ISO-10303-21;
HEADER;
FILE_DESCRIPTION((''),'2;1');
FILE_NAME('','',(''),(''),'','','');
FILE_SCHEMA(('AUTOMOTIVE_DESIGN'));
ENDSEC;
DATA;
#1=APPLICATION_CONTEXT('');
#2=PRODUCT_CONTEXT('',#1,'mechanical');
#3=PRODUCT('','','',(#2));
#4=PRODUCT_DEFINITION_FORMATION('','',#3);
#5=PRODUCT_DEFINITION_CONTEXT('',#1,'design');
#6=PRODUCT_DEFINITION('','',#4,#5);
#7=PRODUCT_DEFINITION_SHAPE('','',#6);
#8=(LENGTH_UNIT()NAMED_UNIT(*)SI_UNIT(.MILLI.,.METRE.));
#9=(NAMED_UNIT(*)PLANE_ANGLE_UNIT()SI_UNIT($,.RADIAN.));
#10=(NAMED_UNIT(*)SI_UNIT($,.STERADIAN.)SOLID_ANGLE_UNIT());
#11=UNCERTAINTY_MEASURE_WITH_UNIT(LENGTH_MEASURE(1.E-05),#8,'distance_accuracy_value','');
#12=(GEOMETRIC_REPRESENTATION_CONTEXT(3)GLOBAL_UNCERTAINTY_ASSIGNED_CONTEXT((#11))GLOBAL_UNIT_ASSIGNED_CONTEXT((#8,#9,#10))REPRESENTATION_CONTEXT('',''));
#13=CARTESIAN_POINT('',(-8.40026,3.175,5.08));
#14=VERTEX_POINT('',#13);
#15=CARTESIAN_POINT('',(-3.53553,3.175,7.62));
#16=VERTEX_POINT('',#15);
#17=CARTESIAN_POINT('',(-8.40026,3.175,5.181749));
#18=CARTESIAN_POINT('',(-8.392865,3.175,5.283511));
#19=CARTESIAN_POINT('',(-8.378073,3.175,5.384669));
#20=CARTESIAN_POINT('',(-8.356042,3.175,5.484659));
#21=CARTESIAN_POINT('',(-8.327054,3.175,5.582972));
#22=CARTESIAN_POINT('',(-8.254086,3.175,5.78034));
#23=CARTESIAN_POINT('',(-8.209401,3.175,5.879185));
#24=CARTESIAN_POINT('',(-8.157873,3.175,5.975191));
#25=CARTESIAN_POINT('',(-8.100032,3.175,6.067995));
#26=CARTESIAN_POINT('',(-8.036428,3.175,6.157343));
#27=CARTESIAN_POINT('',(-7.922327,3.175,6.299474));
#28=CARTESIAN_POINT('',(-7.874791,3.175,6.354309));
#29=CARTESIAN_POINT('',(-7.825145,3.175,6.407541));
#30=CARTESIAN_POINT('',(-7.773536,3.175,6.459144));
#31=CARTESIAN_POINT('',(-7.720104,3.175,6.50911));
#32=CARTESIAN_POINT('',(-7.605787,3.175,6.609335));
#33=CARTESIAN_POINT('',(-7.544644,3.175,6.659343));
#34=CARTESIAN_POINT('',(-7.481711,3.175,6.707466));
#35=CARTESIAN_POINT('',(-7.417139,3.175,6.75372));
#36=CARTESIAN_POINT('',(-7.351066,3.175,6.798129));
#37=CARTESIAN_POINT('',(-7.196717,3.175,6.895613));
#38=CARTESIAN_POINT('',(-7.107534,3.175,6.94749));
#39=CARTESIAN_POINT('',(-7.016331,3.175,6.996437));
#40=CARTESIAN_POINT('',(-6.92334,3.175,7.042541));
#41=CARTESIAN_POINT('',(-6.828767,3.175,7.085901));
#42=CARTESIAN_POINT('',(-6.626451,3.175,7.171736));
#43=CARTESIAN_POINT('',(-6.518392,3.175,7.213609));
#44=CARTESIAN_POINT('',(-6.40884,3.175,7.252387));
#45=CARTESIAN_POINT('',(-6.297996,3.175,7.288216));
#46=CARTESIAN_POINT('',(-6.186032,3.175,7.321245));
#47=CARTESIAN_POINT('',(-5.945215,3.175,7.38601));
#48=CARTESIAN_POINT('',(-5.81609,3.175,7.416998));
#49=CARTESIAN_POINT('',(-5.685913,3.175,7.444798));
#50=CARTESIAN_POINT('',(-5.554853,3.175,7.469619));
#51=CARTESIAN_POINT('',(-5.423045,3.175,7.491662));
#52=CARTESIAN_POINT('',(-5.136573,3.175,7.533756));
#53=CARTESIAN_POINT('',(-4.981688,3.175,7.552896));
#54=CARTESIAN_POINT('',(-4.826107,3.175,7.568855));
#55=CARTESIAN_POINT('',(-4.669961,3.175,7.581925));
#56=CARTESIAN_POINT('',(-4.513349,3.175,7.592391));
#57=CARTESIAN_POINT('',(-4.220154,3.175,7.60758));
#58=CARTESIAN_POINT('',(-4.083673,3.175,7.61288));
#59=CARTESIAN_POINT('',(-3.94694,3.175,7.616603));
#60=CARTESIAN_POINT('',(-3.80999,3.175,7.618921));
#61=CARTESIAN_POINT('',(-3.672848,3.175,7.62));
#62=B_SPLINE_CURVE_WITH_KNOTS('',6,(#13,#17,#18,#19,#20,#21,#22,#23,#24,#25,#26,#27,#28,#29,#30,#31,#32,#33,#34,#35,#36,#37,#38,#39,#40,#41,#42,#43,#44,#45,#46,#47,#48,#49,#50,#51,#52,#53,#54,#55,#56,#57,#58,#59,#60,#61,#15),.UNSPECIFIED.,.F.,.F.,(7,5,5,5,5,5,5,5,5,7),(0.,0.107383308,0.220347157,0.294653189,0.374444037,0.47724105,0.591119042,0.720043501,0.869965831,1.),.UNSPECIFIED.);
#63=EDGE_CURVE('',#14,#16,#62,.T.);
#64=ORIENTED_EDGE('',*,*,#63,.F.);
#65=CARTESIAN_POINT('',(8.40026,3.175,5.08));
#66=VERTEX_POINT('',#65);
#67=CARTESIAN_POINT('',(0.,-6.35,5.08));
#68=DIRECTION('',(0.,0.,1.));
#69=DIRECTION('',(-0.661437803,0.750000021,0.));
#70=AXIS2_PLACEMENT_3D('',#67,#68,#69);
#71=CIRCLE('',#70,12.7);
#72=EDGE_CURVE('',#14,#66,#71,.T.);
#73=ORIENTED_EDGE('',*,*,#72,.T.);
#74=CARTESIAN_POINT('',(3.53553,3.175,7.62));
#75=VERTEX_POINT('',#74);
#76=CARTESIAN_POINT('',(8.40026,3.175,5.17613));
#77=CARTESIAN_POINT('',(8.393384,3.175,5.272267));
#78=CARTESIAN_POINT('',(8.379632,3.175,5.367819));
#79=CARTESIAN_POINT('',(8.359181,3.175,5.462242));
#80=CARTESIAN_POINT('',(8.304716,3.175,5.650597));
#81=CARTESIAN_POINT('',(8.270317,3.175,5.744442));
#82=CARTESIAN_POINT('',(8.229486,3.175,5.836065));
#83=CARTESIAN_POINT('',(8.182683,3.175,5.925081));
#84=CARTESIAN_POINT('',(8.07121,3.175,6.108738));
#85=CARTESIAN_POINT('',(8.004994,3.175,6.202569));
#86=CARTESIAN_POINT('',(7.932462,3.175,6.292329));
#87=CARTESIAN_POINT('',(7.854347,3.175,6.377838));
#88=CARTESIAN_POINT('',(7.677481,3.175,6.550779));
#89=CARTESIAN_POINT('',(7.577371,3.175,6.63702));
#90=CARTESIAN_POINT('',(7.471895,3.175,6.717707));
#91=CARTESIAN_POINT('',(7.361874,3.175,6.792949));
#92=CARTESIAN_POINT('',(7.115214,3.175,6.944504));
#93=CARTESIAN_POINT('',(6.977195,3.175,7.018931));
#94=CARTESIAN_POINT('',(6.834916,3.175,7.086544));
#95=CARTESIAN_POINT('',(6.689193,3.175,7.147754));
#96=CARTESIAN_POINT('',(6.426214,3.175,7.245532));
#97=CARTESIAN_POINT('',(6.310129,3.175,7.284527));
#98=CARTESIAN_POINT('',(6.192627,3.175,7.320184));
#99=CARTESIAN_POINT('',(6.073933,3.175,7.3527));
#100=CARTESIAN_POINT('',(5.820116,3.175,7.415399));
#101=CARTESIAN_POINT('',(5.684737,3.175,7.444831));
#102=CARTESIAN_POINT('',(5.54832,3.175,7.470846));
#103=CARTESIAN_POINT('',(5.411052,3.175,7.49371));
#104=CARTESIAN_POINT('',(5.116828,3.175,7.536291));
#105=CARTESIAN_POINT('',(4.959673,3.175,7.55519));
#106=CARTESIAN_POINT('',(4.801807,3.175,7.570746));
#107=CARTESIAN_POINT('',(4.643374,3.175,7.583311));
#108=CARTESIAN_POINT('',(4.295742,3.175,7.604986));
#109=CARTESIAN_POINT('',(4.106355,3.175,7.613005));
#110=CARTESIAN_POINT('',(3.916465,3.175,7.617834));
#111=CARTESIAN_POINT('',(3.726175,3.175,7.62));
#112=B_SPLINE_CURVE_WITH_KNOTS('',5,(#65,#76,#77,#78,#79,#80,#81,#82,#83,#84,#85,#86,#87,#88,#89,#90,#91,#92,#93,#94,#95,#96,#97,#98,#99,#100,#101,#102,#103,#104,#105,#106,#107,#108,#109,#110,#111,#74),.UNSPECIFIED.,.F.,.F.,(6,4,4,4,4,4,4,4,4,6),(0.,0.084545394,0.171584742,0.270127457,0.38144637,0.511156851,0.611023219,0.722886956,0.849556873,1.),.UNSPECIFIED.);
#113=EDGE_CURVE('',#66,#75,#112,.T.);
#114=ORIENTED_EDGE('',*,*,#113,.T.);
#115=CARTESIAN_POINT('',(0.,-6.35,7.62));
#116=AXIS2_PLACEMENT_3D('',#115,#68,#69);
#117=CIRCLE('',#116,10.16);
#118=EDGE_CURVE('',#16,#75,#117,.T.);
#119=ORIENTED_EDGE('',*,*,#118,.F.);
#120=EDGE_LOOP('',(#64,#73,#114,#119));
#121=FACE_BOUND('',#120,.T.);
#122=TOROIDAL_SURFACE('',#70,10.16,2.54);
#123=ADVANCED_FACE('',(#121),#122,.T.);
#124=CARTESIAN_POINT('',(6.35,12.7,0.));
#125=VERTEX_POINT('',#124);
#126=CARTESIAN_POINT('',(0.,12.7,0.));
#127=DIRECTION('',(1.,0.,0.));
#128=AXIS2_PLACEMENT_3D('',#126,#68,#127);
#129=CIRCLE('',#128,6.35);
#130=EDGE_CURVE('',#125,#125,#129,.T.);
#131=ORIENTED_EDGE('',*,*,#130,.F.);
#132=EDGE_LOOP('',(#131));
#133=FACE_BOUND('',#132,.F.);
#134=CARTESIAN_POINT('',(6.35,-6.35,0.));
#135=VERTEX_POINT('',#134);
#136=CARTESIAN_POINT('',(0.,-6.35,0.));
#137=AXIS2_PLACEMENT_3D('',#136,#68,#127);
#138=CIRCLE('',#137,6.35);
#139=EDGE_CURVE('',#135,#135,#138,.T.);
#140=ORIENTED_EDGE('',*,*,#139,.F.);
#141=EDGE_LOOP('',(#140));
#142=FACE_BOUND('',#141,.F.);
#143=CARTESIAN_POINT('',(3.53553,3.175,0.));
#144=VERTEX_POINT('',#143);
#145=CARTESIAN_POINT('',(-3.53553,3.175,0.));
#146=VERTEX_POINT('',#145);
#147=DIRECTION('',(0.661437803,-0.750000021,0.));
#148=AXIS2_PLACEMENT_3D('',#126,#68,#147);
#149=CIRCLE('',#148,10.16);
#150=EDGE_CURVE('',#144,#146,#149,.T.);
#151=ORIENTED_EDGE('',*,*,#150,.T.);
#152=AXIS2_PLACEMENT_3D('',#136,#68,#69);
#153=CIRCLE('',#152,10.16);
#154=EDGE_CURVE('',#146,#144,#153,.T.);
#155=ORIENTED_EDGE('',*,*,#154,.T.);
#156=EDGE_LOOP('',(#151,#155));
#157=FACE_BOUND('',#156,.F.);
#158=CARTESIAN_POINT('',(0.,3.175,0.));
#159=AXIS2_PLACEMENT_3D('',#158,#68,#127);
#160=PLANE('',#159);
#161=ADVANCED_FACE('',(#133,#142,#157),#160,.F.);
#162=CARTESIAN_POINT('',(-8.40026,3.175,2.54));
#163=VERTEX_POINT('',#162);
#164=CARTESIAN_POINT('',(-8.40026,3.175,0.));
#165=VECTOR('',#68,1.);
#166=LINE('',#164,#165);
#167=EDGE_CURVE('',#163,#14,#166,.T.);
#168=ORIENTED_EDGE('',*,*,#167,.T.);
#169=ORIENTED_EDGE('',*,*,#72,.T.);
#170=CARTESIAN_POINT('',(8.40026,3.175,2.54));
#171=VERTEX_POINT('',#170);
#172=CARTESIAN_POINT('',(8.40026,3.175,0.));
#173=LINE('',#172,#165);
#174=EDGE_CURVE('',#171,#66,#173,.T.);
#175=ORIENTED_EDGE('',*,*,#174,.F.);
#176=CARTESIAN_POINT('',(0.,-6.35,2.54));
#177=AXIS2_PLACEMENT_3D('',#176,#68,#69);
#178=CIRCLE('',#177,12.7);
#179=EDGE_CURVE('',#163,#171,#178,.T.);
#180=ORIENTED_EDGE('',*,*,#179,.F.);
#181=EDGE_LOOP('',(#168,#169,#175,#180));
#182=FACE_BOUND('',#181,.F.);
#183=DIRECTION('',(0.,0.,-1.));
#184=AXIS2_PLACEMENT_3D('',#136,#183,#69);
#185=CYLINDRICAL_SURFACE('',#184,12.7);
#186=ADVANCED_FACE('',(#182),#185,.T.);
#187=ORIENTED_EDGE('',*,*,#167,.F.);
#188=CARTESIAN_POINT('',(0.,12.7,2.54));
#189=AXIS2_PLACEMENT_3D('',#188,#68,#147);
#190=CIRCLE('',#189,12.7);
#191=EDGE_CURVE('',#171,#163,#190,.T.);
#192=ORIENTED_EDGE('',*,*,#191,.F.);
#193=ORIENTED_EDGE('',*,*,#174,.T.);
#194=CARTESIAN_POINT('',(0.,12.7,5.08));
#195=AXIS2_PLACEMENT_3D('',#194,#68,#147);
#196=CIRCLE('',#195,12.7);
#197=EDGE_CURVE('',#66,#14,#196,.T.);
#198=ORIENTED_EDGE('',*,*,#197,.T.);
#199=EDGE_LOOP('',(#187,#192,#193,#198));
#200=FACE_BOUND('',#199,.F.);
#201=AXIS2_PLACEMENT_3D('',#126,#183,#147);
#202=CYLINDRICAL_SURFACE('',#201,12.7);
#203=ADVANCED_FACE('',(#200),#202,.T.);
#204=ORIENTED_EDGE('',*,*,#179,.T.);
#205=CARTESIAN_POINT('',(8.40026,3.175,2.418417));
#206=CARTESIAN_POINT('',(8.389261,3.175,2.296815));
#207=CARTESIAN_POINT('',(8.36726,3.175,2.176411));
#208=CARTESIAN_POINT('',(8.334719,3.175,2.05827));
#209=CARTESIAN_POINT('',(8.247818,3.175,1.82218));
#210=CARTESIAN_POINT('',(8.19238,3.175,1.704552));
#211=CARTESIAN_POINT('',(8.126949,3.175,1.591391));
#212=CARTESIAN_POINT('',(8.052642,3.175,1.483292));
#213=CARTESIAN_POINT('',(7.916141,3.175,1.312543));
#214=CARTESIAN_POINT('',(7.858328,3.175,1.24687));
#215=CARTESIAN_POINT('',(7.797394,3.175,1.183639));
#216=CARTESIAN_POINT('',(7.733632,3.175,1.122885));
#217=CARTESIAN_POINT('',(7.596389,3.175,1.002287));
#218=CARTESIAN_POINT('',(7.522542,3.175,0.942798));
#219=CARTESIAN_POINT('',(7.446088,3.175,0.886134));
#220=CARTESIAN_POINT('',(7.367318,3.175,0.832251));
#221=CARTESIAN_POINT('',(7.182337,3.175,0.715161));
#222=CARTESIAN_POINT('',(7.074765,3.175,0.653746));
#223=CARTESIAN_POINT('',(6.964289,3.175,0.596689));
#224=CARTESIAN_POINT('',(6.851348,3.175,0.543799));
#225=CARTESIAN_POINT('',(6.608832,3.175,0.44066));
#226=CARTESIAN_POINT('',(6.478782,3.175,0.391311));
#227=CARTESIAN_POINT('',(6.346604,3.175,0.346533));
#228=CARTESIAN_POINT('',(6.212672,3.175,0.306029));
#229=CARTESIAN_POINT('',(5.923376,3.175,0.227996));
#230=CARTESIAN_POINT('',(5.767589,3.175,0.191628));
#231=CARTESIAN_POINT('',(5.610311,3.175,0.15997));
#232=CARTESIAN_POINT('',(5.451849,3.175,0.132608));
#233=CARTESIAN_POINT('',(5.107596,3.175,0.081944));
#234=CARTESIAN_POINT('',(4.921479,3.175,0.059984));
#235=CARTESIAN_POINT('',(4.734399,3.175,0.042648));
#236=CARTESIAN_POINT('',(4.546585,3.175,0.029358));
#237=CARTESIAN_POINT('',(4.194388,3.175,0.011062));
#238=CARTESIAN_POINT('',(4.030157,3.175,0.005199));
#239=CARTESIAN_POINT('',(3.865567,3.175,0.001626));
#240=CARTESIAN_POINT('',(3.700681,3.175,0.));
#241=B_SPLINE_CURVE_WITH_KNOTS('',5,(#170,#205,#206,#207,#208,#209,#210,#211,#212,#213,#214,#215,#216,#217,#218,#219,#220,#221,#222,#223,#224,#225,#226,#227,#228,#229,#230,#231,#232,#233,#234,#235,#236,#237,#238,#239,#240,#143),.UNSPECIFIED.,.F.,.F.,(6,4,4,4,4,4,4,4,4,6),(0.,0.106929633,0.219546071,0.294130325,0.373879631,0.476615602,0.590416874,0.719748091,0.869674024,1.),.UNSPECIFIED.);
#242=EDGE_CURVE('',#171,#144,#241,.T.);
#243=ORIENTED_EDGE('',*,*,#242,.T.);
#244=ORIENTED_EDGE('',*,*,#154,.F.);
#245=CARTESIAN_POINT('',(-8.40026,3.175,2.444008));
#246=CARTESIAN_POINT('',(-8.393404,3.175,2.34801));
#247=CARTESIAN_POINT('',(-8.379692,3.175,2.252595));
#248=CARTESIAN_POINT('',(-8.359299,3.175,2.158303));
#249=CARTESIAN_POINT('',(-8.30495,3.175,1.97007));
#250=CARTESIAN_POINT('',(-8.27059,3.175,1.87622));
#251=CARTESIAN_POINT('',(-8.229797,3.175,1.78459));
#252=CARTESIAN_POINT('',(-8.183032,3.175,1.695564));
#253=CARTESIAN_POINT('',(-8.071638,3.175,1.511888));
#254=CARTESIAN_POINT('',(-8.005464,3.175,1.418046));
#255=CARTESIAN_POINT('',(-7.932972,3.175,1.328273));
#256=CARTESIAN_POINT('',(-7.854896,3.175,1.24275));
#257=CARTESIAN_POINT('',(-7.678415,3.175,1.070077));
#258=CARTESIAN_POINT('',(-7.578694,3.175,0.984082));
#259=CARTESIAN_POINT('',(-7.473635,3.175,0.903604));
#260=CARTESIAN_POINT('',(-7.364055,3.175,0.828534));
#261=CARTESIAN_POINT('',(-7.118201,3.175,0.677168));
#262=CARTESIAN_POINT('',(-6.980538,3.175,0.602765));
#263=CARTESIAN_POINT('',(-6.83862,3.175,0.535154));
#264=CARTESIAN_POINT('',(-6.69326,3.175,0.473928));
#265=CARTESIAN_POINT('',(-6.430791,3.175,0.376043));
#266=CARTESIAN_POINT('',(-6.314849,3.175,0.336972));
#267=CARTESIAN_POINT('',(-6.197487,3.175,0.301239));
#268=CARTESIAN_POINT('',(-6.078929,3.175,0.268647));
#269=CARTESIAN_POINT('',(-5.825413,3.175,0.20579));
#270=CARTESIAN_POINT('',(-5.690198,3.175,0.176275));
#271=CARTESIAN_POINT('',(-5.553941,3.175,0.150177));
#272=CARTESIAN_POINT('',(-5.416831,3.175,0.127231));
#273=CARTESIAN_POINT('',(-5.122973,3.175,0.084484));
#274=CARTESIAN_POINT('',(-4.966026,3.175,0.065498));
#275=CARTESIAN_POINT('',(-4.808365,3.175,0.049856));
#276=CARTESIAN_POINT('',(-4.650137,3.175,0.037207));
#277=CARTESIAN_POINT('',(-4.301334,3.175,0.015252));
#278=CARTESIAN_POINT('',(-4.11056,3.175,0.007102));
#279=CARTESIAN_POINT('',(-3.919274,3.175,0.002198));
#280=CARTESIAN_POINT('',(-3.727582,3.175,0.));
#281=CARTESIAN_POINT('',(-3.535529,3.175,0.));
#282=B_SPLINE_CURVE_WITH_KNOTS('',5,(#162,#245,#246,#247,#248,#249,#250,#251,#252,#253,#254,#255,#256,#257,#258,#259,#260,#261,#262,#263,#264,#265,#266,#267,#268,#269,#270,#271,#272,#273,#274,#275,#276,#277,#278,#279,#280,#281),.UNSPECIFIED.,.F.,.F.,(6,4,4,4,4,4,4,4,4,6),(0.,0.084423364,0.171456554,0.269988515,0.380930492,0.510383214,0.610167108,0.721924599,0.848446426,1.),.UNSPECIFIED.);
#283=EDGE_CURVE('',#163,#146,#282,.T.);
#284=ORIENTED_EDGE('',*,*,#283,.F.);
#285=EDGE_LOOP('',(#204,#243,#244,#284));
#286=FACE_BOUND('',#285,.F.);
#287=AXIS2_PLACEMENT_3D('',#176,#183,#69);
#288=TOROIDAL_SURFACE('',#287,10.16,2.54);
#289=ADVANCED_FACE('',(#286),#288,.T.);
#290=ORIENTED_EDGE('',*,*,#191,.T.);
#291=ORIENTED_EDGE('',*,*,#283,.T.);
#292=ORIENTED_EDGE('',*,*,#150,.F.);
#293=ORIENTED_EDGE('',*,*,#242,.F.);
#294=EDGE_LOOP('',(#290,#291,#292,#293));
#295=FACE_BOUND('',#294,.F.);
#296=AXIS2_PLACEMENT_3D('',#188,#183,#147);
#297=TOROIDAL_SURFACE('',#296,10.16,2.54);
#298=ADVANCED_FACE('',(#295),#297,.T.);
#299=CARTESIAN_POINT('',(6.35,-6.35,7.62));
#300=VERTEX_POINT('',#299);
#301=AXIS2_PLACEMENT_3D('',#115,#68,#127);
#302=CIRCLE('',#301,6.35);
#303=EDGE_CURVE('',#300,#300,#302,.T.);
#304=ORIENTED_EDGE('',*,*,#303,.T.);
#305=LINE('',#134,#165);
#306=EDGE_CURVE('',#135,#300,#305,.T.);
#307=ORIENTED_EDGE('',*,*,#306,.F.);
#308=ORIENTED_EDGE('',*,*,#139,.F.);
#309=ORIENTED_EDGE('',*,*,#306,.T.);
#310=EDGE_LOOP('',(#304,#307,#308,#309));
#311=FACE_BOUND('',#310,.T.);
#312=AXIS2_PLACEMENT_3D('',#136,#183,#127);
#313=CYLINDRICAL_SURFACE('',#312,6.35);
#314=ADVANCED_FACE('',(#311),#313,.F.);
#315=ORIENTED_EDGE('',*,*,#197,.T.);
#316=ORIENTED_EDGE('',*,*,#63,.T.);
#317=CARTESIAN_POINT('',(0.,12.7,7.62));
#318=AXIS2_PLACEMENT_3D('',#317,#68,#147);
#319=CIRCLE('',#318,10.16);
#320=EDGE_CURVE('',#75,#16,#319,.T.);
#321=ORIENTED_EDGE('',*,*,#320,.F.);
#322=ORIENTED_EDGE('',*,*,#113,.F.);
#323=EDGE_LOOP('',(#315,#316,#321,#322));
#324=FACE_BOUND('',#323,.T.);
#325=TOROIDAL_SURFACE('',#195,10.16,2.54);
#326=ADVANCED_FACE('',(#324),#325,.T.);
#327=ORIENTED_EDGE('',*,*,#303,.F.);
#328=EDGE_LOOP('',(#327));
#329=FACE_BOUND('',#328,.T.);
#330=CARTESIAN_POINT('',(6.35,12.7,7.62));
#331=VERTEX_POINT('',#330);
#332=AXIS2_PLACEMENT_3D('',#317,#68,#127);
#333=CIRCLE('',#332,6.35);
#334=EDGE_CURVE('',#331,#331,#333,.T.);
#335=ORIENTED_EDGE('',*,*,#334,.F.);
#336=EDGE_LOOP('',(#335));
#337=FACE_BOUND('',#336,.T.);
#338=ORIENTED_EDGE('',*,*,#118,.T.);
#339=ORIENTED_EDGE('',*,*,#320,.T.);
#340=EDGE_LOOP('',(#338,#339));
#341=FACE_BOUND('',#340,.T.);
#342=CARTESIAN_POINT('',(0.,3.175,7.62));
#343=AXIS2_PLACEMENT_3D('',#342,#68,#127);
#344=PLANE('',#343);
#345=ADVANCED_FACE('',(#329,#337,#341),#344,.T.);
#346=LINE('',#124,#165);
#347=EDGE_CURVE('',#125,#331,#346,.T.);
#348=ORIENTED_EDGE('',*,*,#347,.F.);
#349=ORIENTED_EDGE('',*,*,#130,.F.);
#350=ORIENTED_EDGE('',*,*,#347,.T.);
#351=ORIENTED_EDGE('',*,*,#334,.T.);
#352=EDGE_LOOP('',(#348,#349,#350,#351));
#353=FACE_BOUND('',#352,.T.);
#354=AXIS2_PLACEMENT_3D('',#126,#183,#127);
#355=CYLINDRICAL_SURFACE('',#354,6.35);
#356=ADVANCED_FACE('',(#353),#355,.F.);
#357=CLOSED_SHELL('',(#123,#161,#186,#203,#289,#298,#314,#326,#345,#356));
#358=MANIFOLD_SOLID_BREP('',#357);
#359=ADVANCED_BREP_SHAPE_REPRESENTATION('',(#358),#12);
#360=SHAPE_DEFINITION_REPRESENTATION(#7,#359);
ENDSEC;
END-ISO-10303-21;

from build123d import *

# Parameters (mm, degrees)
F0_R     = 6.35
F1_DEPTH = 7.62
F2_R     = 2.54


with BuildPart() as f1:
    # F0 (on Top) → F1 (new body)
    with BuildSketch(Plane.XY):
        with BuildLine():
            ThreePointArc((-8.40026, 3.175), (0, -19.05), (8.40026, 3.175))
            ThreePointArc((8.40026, 3.175), (0, 25.4), (-8.40026, 3.175))
        make_face()
        with Locations((0, -6.35)):
            Circle(F0_R, mode=Mode.SUBTRACT)
        with Locations((0, 12.7)):
            Circle(F0_R, mode=Mode.SUBTRACT)
    extrude(amount=F1_DEPTH)

    # F2
    f2_edges = [f1.edges().sort_by_distance(p)[0] for p in [
        (0, 25.4, 7.62),
        (0, -19.05, 7.62),
        (0, 25.4, 0),
        (0, -19.05, 0),
    ]]
    fillet(f2_edges, radius=F2_R)


solid = f1.part
